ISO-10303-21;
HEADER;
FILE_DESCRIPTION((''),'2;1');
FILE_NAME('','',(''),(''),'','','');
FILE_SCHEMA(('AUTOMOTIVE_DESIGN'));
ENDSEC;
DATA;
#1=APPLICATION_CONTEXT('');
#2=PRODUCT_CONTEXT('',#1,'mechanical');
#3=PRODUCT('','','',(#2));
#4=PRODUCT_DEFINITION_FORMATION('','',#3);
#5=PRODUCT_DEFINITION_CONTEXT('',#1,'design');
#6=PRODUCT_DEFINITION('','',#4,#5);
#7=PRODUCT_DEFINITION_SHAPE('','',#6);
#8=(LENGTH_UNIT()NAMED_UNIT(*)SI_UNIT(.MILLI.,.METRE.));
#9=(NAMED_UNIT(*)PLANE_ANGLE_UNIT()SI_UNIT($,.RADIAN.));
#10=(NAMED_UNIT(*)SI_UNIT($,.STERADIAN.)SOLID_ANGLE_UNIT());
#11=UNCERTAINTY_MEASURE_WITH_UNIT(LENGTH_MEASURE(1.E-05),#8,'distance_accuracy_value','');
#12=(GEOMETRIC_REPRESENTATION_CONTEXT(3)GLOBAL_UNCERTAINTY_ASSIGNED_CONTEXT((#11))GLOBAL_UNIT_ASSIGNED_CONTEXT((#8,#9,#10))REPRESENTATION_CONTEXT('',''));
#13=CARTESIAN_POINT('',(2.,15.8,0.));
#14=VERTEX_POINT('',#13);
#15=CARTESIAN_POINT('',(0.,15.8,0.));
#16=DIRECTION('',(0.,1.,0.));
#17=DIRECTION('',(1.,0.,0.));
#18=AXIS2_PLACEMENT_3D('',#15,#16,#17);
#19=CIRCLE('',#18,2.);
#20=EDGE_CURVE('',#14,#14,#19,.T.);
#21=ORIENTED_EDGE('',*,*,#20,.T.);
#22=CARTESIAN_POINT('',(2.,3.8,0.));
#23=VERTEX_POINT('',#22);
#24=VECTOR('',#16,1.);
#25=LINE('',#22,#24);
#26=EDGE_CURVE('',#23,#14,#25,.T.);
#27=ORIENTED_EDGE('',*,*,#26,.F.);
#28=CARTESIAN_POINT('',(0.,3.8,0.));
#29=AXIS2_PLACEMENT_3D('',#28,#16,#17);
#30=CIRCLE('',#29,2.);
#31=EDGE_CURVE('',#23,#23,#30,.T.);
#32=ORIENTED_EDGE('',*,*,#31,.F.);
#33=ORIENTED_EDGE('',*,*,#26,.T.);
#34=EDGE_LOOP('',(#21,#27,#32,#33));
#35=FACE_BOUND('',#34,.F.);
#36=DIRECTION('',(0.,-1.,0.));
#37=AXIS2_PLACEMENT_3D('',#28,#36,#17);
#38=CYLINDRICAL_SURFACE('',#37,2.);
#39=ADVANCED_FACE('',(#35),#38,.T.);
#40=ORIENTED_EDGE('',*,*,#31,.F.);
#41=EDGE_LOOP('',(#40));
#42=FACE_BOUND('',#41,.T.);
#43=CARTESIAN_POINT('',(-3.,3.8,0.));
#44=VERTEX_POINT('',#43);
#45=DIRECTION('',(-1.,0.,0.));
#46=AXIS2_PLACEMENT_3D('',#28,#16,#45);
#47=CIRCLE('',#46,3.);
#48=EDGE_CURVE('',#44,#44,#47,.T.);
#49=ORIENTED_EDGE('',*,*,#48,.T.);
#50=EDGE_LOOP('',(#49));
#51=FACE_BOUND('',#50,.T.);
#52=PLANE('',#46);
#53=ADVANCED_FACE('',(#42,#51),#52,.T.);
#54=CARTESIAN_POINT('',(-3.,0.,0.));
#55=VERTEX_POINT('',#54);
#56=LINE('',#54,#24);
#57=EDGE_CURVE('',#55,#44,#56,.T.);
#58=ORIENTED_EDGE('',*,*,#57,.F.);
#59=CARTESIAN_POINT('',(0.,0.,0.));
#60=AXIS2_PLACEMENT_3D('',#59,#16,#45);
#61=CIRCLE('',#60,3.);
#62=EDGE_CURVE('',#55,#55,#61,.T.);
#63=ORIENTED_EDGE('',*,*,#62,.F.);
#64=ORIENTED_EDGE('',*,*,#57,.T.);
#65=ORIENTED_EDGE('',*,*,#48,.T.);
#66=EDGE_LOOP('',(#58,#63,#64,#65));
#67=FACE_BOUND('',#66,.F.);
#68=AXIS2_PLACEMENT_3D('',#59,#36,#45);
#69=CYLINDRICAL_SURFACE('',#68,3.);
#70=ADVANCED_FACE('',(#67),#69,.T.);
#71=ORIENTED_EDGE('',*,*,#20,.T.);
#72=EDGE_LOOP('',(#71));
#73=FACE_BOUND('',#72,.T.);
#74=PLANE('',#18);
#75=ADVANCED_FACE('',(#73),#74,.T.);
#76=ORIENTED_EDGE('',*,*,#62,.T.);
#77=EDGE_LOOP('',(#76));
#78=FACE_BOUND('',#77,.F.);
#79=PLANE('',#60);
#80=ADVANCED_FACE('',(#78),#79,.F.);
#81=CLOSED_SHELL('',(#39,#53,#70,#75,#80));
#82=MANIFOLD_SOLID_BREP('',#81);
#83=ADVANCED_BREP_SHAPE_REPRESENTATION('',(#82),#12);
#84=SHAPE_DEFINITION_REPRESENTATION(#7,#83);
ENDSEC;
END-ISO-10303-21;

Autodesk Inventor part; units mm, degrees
ref_plane "YZ Plane" through (0, 0, 0) normal (1, 0, 0) x (0, 1, 0)
ref_plane "XZ Plane" through (0, 0, 0) normal (0, 1, 0) x (-1, 0, 0)
ref_plane "XY Plane" through (0, 0, 0) normal (0, 0, 1) x (1, 0, 0)
sketch "Sketch1" plane through (0, 0, 0) normal (0, 1, 0) x (-1, 0, 0)
  circle A0 centre (0, 0) radius 3
  dimension "d0" = 6
extrude "Extrusion1" add sketch "Sketch1" along normal blind 3.8
sketch "Sketch2" plane through (0, 3.8, 0) normal (0, 1, 0) x (1, 0, 0)
  circle A0 centre (0, 0) radius 2
  dimension "d3" = 4
extrude "Extrusion2" add sketch "Sketch2" along normal blind 12
properties part number "Four(mmm)12Screw"
